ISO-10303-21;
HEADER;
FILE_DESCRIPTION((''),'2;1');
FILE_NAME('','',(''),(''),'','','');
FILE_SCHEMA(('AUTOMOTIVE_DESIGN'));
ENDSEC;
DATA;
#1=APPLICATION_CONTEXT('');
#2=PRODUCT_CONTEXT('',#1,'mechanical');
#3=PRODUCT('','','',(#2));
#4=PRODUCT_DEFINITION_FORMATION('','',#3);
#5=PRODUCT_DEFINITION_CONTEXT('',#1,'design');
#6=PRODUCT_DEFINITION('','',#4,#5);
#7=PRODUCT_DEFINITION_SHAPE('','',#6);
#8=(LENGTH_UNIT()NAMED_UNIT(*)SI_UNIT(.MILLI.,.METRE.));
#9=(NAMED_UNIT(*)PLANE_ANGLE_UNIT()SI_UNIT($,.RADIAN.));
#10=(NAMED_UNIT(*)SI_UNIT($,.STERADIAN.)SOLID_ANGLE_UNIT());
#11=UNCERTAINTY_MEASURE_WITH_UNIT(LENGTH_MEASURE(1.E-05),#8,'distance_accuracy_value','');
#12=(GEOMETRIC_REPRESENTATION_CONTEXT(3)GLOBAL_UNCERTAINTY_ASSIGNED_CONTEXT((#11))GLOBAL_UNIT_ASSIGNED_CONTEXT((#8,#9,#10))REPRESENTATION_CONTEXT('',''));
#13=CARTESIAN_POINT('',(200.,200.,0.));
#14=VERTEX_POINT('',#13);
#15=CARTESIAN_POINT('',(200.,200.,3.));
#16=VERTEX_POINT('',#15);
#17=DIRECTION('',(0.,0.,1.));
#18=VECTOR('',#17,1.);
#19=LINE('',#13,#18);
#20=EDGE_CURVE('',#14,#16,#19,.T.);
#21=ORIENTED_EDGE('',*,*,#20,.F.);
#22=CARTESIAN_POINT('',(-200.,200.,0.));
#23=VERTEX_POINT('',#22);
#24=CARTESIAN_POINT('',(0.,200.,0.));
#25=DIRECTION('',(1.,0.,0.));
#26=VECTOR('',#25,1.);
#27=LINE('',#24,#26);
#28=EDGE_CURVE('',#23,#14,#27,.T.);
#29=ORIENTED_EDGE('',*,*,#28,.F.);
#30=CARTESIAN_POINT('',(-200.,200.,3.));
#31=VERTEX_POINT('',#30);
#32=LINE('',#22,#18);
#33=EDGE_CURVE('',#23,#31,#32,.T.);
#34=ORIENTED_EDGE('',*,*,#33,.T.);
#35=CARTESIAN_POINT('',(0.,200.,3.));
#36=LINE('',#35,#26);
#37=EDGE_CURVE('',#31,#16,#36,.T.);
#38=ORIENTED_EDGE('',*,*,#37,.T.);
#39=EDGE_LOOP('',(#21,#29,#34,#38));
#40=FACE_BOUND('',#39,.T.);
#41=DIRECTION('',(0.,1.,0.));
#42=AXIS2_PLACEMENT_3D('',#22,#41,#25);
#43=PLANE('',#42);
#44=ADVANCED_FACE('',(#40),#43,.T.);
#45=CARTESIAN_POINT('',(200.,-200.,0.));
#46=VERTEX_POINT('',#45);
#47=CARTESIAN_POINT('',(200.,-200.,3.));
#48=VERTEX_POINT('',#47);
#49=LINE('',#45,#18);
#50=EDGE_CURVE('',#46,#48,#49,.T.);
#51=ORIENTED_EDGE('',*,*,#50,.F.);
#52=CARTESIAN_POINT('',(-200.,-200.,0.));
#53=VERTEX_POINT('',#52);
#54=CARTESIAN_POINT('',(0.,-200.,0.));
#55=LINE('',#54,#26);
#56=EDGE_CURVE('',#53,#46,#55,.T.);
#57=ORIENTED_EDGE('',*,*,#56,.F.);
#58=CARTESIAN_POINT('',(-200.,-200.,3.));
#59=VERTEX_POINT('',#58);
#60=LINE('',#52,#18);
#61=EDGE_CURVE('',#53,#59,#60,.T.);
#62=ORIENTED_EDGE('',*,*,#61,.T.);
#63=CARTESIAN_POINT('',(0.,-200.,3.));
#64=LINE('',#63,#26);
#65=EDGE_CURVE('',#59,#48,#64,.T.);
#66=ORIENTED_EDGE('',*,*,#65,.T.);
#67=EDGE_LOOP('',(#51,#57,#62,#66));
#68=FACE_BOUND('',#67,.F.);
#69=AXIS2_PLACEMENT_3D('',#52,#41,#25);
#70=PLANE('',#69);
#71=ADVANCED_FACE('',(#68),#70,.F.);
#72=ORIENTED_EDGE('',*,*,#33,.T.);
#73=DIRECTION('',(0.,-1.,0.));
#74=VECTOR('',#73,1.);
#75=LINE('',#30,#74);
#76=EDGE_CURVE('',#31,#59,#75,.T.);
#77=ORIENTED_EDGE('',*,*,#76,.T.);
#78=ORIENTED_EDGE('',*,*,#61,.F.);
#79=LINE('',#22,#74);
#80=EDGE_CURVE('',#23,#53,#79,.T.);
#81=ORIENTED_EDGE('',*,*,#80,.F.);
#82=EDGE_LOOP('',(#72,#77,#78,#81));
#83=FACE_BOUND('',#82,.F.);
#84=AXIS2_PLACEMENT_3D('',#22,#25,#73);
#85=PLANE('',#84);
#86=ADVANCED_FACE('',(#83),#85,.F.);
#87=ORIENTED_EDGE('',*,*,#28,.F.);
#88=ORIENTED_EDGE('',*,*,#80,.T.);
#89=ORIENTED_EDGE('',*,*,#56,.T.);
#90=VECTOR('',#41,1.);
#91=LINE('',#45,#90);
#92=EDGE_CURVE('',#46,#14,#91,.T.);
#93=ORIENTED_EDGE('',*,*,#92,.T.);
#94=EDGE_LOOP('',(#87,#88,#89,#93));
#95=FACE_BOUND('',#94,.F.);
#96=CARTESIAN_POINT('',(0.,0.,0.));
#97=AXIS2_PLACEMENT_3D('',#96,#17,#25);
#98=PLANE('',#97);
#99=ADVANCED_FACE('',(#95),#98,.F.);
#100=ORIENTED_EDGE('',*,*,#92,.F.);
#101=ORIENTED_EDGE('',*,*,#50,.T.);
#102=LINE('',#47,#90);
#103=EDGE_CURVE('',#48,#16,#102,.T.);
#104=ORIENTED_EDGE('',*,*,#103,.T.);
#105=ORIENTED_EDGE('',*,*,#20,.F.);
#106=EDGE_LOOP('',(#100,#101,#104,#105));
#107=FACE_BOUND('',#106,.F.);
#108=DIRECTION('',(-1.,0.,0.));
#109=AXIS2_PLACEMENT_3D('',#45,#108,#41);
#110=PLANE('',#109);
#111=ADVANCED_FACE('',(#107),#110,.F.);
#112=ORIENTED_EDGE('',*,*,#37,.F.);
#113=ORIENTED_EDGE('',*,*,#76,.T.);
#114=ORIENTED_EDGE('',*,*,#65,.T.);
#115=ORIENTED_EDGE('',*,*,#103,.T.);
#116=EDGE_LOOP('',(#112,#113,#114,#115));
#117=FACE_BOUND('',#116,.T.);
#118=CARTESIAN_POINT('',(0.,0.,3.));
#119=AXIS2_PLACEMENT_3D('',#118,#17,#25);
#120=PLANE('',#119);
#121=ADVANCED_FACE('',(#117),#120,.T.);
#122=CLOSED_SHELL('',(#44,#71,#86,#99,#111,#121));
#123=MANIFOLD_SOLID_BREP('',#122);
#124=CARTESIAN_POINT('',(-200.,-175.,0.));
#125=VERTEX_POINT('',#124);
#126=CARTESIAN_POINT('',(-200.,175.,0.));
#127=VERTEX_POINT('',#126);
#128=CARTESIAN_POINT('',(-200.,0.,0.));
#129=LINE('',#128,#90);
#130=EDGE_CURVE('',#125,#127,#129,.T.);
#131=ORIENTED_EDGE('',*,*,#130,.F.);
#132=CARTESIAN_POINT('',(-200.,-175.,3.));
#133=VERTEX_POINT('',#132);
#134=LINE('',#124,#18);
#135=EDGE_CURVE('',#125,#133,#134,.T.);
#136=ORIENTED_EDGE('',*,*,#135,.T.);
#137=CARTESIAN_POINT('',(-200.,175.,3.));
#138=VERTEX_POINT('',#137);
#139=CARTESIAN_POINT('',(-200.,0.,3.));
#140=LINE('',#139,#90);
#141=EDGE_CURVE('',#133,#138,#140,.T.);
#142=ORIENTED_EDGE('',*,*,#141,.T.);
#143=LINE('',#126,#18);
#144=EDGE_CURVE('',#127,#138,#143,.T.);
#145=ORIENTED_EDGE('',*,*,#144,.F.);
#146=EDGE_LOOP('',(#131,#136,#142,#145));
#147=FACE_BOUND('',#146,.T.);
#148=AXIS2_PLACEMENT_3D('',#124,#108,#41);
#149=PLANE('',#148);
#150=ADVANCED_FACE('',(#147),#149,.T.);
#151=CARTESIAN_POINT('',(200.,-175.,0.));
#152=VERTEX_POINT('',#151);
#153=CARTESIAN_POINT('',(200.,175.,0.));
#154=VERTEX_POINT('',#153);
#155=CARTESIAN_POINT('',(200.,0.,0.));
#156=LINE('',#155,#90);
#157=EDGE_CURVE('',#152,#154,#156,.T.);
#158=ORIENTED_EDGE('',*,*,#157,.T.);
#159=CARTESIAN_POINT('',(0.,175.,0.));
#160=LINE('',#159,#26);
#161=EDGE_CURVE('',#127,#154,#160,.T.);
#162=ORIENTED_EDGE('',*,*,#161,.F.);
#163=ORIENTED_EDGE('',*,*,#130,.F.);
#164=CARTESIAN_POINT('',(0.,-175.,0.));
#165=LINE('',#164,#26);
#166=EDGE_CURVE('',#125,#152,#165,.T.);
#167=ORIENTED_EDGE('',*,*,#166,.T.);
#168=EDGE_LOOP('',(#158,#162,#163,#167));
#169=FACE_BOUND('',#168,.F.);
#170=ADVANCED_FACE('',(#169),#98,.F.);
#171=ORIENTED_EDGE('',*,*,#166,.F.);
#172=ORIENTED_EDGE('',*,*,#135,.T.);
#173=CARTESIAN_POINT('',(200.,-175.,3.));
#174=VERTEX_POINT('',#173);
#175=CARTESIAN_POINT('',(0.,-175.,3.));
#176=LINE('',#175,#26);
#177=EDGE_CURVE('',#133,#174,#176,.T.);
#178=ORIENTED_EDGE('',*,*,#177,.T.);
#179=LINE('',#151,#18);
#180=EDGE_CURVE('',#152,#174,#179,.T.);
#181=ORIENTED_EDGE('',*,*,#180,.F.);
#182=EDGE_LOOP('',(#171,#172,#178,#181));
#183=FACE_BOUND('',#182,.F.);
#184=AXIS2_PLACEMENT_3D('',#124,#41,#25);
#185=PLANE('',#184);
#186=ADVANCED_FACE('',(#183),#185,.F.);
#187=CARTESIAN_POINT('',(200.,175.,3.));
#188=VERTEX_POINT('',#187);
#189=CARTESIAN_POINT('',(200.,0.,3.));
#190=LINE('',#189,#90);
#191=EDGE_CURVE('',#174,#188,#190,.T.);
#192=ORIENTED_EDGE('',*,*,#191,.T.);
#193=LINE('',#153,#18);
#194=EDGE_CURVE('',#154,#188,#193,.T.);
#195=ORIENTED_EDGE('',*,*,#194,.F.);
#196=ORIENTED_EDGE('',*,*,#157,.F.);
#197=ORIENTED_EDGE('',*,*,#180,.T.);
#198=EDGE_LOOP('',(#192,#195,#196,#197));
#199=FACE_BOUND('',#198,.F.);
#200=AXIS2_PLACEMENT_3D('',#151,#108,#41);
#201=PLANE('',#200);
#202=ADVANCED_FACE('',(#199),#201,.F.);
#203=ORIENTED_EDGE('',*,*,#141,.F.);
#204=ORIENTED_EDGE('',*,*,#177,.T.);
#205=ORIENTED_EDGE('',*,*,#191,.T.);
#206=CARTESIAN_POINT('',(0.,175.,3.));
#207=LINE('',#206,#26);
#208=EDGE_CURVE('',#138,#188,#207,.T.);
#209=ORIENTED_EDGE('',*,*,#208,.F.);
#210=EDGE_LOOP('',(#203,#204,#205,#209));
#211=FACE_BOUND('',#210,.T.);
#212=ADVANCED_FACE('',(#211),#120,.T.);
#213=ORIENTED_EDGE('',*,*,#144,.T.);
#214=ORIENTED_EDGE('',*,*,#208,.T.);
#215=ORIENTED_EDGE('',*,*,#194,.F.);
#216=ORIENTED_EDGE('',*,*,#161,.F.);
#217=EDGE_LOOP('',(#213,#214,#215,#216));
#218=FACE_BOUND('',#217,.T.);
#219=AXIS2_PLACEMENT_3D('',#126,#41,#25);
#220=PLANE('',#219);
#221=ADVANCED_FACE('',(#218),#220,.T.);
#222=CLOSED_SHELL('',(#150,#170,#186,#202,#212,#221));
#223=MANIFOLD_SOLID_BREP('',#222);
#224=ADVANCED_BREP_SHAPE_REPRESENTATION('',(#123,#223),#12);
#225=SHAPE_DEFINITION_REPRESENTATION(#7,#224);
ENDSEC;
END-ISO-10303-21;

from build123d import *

# Parameters (mm, degrees)
F0_W     = 400
F0_H     = 350
F0_H_2   = 25
F1_DEPTH = 3
F2_DEPTH = 3


with BuildPart() as f1:
    # F0 (on Top) → F1 (new body)
    with BuildSketch(Plane.XY):
        Rectangle(F0_W, F0_H)
        with Locations((0, 187.5)):
            Rectangle(F0_W, F0_H_2)
        with Locations((0, -187.5)):
            Rectangle(F0_W, F0_H_2)
    extrude(amount=F1_DEPTH)


with BuildPart() as f2:
    # F0 (on Top) → F2 (new body)
    with BuildSketch(Plane.XY):
        Rectangle(F0_W, F0_H)
    extrude(amount=F2_DEPTH)


solid = Compound([f1.part, f2.part])
